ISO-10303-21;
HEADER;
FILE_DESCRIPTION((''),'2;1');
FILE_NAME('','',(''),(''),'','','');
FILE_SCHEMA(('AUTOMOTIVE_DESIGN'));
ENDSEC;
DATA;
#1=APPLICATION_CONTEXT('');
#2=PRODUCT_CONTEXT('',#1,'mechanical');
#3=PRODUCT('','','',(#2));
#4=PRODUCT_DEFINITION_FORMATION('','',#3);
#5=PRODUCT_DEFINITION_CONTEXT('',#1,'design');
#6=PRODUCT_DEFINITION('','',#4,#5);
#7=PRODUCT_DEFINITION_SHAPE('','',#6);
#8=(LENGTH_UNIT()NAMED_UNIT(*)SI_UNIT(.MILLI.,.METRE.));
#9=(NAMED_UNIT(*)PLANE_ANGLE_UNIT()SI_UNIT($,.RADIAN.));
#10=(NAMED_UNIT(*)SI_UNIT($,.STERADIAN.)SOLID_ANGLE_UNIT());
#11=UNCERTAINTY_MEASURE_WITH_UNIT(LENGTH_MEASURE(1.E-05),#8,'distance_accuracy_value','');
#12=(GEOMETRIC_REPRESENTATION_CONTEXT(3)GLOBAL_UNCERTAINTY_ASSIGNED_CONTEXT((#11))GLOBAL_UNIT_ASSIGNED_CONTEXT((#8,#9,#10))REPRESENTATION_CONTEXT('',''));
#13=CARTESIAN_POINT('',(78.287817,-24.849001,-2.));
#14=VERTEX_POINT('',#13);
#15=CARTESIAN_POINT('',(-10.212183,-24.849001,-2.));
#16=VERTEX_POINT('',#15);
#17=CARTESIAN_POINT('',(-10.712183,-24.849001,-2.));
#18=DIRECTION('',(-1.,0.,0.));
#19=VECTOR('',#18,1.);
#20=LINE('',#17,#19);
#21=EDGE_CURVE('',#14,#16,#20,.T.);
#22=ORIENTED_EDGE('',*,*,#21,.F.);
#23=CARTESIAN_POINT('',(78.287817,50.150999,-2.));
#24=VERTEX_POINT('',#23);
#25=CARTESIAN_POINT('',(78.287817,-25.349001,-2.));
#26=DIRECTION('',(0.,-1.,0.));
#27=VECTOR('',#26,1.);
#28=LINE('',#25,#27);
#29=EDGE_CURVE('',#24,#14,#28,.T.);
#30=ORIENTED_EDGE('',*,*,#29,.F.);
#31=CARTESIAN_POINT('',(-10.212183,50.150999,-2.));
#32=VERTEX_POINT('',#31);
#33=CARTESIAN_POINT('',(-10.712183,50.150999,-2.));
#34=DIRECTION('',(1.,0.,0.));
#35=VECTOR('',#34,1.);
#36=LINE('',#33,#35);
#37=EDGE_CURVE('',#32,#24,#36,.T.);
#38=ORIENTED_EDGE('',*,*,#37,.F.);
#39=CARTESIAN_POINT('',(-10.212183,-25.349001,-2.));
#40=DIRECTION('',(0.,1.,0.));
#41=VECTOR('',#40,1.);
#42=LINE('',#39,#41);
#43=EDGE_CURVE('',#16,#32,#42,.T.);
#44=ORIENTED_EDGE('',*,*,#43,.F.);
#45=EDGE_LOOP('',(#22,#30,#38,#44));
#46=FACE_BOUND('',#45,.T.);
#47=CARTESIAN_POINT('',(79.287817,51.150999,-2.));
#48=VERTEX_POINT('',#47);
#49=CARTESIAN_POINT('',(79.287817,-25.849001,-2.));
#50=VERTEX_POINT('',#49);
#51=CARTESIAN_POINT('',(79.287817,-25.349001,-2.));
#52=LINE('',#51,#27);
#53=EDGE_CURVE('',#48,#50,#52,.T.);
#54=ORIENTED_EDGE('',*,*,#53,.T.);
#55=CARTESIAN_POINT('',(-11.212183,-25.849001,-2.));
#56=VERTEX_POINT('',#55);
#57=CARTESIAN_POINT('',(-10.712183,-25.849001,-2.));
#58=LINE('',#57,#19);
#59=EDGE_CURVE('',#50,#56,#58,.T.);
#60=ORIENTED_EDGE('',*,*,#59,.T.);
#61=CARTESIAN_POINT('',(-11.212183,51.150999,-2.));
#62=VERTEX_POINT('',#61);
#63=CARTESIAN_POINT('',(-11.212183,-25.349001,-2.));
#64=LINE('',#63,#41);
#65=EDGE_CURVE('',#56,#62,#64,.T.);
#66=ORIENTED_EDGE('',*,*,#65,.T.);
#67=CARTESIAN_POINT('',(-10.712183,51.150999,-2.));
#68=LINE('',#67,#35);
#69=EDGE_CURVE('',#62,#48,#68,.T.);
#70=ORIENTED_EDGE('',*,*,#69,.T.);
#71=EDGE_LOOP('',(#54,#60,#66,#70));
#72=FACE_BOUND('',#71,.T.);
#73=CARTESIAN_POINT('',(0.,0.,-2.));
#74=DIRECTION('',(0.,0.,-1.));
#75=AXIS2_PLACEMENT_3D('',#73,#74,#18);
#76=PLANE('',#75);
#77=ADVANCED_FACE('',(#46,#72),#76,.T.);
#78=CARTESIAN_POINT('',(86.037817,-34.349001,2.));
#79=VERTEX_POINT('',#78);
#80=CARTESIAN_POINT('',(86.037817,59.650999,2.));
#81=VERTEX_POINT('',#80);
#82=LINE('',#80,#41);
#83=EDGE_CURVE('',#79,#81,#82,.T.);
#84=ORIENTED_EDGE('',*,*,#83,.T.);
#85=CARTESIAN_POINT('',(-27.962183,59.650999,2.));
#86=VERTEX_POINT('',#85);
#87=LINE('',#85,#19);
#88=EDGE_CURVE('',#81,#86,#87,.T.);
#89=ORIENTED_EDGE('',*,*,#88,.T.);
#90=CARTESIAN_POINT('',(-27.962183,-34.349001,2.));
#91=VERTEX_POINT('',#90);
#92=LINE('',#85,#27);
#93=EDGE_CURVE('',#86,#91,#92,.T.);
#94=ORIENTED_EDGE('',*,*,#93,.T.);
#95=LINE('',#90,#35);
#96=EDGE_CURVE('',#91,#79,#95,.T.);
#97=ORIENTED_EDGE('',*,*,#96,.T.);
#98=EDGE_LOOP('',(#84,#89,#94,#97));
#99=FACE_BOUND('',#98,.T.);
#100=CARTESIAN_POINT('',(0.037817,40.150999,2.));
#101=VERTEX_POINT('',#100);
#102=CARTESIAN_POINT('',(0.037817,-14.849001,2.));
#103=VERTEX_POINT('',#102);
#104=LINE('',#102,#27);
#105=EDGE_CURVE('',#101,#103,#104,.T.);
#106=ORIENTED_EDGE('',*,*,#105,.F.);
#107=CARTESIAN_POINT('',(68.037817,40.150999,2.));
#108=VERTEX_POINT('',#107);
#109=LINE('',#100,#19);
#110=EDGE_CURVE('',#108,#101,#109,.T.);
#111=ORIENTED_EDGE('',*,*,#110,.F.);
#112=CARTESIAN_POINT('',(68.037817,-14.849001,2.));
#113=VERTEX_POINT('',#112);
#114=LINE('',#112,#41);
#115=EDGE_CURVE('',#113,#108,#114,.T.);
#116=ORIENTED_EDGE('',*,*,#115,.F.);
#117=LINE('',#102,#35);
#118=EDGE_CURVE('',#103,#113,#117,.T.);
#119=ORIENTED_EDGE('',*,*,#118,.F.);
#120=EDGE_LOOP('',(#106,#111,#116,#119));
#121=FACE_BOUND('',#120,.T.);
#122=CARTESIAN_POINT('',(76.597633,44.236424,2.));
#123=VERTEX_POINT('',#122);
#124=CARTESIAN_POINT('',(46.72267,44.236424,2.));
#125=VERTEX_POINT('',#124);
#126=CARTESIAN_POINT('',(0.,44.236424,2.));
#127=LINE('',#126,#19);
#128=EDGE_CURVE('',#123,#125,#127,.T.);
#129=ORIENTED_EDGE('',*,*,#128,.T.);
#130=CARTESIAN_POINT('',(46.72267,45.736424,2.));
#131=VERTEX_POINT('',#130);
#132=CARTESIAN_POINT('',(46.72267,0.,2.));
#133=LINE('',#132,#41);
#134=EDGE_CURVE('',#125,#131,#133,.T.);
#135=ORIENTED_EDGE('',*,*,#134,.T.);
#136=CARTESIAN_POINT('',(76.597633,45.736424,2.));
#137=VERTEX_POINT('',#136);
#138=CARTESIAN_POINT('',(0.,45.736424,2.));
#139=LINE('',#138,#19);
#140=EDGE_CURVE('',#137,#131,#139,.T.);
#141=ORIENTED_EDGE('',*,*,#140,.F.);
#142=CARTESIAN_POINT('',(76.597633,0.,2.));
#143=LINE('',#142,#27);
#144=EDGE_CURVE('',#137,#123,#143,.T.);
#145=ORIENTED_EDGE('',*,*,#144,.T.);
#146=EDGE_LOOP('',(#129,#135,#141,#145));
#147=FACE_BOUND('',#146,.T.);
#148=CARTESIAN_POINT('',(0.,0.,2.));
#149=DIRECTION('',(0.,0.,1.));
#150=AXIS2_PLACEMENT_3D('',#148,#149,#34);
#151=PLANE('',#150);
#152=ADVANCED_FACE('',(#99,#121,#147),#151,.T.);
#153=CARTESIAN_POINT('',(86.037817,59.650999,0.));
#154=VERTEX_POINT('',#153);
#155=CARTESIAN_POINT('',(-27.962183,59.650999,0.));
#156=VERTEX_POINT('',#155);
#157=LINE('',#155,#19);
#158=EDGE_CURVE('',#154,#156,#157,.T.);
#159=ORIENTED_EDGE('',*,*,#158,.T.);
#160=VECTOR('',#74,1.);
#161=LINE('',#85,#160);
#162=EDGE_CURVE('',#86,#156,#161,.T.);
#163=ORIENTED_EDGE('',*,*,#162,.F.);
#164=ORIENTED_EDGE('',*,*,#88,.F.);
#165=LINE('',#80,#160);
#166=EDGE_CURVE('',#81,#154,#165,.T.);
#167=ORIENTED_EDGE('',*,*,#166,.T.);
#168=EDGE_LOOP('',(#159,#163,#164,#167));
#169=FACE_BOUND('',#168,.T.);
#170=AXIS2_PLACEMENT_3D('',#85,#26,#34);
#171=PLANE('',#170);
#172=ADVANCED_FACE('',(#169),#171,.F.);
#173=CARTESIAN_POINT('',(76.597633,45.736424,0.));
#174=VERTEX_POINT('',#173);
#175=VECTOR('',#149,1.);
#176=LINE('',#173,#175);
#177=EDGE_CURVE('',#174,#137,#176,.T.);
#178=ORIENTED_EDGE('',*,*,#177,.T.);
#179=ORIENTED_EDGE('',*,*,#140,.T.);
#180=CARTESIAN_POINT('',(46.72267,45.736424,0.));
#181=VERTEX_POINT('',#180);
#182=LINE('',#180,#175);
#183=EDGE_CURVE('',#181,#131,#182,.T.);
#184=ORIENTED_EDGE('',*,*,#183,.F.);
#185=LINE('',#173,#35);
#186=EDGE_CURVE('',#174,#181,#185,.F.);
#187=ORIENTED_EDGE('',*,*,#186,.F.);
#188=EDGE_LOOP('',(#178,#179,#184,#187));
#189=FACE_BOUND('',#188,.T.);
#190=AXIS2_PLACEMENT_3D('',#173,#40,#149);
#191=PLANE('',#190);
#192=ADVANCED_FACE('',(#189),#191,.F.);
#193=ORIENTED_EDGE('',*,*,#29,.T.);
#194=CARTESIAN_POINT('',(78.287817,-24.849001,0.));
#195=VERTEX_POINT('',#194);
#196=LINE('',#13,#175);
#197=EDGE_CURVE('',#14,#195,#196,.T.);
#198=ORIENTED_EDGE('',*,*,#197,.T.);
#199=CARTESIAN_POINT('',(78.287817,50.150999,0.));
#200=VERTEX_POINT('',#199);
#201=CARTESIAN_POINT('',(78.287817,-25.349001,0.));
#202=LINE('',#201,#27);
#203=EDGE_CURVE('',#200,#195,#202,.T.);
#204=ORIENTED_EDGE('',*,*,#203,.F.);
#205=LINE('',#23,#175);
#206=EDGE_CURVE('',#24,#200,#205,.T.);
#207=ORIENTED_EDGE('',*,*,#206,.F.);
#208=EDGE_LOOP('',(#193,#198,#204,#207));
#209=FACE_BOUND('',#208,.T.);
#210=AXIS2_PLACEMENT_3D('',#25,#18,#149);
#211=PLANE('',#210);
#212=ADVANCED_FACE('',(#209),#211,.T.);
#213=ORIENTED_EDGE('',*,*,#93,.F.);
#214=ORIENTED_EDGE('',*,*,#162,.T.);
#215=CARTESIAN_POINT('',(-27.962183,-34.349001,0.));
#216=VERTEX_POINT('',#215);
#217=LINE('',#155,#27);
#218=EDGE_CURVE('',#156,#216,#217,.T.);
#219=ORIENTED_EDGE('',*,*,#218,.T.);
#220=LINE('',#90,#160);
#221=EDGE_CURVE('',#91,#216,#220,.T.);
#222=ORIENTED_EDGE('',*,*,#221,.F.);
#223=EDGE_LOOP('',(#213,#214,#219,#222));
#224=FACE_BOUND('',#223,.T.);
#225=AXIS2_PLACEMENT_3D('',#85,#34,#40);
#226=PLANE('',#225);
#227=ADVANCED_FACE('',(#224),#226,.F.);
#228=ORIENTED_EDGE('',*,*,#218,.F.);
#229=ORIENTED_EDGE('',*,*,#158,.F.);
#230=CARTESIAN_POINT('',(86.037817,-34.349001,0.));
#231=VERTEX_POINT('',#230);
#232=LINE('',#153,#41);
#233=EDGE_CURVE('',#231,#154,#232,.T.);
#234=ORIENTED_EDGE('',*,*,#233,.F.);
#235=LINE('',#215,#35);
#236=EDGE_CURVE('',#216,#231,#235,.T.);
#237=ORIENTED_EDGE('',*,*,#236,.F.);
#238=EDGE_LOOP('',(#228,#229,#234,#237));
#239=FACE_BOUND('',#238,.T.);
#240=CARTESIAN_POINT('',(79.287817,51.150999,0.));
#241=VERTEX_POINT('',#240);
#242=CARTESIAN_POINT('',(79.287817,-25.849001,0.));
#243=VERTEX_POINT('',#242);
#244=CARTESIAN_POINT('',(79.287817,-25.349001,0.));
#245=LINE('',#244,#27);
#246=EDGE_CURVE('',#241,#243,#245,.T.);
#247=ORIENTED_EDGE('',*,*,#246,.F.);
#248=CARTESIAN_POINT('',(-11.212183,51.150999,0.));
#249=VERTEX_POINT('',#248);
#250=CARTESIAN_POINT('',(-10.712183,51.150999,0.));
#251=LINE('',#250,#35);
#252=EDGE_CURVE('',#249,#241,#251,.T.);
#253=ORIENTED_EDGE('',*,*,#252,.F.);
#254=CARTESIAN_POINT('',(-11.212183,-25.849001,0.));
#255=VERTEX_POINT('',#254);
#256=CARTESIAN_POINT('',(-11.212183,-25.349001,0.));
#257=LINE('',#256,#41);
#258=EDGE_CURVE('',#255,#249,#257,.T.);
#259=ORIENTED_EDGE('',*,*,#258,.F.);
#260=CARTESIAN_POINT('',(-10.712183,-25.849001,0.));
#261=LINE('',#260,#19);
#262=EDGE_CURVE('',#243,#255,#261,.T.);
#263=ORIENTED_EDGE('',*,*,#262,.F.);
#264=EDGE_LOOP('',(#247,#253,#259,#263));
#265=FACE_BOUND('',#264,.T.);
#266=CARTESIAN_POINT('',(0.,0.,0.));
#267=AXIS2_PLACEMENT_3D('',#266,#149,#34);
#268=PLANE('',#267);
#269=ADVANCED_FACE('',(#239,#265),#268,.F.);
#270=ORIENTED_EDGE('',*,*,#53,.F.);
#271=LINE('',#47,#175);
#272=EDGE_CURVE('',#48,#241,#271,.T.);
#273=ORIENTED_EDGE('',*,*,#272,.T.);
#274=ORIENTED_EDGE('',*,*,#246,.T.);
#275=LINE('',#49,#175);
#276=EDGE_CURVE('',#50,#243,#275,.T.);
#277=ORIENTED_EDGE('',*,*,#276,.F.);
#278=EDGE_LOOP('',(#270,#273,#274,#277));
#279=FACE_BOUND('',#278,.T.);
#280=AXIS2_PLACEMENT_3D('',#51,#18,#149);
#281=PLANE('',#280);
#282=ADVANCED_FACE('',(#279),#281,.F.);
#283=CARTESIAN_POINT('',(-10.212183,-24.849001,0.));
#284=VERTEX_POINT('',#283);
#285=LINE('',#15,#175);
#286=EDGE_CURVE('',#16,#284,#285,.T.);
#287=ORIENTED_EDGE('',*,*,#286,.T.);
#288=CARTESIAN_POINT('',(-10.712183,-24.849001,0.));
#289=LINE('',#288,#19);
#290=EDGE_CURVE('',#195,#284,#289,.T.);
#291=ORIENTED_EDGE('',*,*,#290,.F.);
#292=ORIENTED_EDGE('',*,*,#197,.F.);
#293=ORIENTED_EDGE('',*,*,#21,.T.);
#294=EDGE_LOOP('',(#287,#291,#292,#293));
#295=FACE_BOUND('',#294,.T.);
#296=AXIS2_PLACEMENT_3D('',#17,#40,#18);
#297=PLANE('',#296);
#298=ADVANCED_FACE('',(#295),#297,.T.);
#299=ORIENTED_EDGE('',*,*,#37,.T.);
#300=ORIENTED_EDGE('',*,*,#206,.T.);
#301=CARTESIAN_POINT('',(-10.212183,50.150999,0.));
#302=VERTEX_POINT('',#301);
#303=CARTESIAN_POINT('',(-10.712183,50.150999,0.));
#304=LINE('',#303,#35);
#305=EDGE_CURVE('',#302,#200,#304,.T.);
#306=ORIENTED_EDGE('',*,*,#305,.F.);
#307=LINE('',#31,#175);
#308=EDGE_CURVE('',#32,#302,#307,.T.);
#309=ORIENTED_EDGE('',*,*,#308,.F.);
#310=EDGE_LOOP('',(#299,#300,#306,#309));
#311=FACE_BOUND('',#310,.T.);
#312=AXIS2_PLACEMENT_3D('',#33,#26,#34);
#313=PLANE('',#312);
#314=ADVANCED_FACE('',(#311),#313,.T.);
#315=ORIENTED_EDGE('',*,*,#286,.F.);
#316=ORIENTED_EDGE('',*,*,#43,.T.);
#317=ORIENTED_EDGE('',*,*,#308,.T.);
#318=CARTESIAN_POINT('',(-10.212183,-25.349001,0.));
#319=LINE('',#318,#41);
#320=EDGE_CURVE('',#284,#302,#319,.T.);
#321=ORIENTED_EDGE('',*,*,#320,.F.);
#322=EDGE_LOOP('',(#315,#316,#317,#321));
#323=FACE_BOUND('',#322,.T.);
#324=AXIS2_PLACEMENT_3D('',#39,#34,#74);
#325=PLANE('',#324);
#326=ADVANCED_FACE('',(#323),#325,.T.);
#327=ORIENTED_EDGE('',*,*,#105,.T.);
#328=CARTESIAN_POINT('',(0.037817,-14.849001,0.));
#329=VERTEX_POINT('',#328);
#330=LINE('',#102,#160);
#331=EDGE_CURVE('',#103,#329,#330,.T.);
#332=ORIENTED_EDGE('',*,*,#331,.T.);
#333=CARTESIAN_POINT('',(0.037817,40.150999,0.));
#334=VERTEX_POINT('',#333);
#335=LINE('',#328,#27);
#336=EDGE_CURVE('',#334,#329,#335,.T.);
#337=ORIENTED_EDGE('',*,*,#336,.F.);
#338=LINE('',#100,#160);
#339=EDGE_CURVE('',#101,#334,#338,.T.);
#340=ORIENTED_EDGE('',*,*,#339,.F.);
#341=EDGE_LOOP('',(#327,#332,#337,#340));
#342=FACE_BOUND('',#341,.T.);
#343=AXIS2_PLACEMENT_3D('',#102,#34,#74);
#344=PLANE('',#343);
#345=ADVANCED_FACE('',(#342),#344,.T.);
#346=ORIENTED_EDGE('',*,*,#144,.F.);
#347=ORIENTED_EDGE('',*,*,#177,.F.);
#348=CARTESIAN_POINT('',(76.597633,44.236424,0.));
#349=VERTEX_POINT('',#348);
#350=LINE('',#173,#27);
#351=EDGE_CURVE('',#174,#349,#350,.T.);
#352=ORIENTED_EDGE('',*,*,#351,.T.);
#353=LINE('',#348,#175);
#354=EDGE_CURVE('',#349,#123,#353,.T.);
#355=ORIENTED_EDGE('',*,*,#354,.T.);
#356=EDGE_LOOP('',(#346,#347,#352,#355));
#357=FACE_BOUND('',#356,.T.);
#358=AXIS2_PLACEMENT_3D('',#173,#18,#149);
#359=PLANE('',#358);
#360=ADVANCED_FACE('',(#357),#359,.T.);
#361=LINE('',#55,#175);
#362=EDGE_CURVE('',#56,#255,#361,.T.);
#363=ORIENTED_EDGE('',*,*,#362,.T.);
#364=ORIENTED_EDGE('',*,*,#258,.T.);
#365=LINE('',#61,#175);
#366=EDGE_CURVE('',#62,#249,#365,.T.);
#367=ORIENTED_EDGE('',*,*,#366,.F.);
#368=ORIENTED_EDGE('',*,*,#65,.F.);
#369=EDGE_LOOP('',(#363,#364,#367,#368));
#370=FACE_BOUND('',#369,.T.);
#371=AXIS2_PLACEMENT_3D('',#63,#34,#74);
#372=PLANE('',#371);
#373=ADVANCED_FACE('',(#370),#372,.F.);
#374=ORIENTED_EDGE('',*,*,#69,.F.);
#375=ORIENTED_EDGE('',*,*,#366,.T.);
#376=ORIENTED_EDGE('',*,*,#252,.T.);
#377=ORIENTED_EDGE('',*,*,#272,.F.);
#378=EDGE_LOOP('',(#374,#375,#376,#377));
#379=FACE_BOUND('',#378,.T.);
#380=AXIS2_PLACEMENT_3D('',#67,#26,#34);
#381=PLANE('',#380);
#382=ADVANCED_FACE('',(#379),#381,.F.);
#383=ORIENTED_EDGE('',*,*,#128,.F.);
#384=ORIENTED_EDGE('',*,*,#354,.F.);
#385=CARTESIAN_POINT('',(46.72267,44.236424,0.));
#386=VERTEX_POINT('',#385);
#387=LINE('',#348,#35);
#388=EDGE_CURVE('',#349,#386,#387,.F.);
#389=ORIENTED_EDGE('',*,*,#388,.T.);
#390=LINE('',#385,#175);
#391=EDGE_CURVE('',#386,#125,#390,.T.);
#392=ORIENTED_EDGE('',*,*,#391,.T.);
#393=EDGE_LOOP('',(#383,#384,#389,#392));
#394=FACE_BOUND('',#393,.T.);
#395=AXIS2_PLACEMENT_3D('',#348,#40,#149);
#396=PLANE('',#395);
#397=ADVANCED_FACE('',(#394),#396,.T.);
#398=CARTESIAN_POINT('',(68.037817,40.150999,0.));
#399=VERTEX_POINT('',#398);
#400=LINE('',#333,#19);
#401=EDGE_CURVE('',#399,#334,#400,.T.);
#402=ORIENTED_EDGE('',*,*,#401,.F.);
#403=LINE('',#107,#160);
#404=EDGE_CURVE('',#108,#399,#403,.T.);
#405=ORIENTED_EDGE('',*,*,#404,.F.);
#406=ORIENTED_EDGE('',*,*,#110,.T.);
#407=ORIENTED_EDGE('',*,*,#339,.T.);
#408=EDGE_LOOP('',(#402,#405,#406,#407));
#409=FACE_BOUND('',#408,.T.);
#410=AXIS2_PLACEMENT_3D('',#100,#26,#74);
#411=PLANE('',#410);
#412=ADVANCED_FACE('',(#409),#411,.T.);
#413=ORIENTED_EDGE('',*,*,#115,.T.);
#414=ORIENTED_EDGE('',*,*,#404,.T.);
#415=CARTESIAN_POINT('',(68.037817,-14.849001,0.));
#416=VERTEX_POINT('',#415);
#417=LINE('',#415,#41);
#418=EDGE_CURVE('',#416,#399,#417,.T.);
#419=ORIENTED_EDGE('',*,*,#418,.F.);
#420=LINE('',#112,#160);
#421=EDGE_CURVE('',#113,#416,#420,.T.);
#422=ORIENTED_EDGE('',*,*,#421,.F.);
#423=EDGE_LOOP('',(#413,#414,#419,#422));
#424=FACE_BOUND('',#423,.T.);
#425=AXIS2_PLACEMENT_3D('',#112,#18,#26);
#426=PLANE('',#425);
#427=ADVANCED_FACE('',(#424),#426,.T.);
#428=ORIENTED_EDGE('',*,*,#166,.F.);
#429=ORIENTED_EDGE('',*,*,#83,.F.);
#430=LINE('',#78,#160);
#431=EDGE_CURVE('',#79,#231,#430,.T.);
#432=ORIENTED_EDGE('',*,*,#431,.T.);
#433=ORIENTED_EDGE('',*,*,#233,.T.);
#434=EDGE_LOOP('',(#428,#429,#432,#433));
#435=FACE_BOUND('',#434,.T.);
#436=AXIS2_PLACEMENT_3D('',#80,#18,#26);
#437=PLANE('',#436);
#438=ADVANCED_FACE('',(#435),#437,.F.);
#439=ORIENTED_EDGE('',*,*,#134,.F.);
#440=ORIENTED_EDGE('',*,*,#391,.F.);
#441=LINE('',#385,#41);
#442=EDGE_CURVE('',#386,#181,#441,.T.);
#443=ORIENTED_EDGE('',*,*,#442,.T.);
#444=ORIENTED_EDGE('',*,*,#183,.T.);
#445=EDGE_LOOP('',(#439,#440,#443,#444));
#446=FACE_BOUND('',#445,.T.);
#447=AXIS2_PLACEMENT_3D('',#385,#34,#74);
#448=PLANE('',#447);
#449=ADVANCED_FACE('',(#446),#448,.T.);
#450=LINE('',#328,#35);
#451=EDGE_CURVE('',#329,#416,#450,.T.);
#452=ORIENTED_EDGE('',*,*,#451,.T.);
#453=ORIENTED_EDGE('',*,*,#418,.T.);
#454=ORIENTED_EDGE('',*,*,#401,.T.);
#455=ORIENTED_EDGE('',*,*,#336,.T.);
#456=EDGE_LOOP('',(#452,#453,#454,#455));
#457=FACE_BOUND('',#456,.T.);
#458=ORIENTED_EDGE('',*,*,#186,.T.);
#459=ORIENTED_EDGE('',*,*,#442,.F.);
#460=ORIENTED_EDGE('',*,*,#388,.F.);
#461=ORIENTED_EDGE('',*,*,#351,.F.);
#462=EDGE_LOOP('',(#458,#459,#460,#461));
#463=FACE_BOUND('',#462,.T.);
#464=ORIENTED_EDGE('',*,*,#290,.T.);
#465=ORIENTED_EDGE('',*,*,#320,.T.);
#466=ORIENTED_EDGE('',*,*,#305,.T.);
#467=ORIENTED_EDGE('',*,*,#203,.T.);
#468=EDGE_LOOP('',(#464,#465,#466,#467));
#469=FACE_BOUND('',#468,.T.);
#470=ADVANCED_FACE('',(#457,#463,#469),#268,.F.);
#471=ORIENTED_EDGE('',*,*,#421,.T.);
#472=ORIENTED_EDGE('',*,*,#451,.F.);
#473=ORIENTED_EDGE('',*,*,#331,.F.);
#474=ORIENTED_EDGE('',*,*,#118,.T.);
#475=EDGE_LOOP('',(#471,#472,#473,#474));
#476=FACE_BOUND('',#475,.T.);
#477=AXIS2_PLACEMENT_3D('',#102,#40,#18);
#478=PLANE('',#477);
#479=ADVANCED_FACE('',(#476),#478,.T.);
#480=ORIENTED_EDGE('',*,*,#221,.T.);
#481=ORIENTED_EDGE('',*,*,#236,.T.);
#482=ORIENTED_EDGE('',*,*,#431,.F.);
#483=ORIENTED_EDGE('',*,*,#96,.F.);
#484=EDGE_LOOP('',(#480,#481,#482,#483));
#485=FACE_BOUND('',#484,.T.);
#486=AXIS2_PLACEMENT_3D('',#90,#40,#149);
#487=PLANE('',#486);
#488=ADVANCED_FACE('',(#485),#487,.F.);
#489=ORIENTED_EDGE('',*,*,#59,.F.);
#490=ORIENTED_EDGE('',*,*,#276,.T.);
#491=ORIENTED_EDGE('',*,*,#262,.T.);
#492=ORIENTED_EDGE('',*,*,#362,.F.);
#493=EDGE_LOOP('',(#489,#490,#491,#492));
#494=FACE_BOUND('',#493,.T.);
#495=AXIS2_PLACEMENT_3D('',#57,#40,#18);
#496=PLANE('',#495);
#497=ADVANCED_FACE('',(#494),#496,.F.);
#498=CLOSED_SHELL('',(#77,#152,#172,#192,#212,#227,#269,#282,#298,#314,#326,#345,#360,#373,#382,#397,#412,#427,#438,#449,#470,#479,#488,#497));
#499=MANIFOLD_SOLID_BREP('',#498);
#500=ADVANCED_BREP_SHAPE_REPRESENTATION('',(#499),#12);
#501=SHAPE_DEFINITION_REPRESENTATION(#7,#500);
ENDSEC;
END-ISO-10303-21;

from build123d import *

# Parameters (mm, degrees)
SKETCH1_W                    = 114
SKETCH1_H                    = 94
SKETCH1_W_2                  = 68
SKETCH1_H_2                  = 55
BOSS_EXTRUDE1_DEPTH          = 2
CUT_EXTRUDE_THIN1_DEPTH      = 105.71269135
CUT_EXTRUDE_THIN1_DEPTH_BACK = 105.71269135
SKETCH3_W                    = 29.874962845
SKETCH3_H                    = 1.5
SKETCH2_W                    = 90.5
SKETCH2_H                    = 77
SKETCH2_W_2                  = 88.5
SKETCH2_H_2                  = 75
EXTRUDE_THIN3_DEPTH          = 2


with BuildPart() as part:
    # Sketch1 → Boss-Extrude1 (new body)
    with BuildSketch(Plane.XY):
        with Locations((29.037817342, 12.650999294)):
            Rectangle(SKETCH1_W, SKETCH1_H)
        with Locations((34.037817342, 12.650999294)):
            Rectangle(SKETCH1_W_2, SKETCH1_H_2, mode=Mode.SUBTRACT)
    extrude(amount=BOSS_EXTRUDE1_DEPTH)

    # Sketch3 → Cut-Extrude-Thin1 (cut, two sides: drawn at the far end of the back side and taken through both)
    with BuildSketch(Plane.XY.offset(2).offset(-CUT_EXTRUDE_THIN1_DEPTH_BACK)):
        with Locations((61.660151902, 44.986424276)):
            Rectangle(SKETCH3_W, SKETCH3_H)
    extrude(amount=CUT_EXTRUDE_THIN1_DEPTH + CUT_EXTRUDE_THIN1_DEPTH_BACK, mode=Mode.SUBTRACT)

    # Sketch2 → Extrude-Thin3 (add)
    with BuildSketch(Plane(origin=(0, 0, 0), x_dir=(-1, 0, 0), z_dir=(0, 0, -1))):
        with Locations((-34.037817342, 12.650999294)):
            Rectangle(SKETCH2_W, SKETCH2_H)
        with Locations((-34.037817342, 12.650999294)):
            Rectangle(SKETCH2_W_2, SKETCH2_H_2, mode=Mode.SUBTRACT)
    extrude(amount=EXTRUDE_THIN3_DEPTH)


solid = part.part
